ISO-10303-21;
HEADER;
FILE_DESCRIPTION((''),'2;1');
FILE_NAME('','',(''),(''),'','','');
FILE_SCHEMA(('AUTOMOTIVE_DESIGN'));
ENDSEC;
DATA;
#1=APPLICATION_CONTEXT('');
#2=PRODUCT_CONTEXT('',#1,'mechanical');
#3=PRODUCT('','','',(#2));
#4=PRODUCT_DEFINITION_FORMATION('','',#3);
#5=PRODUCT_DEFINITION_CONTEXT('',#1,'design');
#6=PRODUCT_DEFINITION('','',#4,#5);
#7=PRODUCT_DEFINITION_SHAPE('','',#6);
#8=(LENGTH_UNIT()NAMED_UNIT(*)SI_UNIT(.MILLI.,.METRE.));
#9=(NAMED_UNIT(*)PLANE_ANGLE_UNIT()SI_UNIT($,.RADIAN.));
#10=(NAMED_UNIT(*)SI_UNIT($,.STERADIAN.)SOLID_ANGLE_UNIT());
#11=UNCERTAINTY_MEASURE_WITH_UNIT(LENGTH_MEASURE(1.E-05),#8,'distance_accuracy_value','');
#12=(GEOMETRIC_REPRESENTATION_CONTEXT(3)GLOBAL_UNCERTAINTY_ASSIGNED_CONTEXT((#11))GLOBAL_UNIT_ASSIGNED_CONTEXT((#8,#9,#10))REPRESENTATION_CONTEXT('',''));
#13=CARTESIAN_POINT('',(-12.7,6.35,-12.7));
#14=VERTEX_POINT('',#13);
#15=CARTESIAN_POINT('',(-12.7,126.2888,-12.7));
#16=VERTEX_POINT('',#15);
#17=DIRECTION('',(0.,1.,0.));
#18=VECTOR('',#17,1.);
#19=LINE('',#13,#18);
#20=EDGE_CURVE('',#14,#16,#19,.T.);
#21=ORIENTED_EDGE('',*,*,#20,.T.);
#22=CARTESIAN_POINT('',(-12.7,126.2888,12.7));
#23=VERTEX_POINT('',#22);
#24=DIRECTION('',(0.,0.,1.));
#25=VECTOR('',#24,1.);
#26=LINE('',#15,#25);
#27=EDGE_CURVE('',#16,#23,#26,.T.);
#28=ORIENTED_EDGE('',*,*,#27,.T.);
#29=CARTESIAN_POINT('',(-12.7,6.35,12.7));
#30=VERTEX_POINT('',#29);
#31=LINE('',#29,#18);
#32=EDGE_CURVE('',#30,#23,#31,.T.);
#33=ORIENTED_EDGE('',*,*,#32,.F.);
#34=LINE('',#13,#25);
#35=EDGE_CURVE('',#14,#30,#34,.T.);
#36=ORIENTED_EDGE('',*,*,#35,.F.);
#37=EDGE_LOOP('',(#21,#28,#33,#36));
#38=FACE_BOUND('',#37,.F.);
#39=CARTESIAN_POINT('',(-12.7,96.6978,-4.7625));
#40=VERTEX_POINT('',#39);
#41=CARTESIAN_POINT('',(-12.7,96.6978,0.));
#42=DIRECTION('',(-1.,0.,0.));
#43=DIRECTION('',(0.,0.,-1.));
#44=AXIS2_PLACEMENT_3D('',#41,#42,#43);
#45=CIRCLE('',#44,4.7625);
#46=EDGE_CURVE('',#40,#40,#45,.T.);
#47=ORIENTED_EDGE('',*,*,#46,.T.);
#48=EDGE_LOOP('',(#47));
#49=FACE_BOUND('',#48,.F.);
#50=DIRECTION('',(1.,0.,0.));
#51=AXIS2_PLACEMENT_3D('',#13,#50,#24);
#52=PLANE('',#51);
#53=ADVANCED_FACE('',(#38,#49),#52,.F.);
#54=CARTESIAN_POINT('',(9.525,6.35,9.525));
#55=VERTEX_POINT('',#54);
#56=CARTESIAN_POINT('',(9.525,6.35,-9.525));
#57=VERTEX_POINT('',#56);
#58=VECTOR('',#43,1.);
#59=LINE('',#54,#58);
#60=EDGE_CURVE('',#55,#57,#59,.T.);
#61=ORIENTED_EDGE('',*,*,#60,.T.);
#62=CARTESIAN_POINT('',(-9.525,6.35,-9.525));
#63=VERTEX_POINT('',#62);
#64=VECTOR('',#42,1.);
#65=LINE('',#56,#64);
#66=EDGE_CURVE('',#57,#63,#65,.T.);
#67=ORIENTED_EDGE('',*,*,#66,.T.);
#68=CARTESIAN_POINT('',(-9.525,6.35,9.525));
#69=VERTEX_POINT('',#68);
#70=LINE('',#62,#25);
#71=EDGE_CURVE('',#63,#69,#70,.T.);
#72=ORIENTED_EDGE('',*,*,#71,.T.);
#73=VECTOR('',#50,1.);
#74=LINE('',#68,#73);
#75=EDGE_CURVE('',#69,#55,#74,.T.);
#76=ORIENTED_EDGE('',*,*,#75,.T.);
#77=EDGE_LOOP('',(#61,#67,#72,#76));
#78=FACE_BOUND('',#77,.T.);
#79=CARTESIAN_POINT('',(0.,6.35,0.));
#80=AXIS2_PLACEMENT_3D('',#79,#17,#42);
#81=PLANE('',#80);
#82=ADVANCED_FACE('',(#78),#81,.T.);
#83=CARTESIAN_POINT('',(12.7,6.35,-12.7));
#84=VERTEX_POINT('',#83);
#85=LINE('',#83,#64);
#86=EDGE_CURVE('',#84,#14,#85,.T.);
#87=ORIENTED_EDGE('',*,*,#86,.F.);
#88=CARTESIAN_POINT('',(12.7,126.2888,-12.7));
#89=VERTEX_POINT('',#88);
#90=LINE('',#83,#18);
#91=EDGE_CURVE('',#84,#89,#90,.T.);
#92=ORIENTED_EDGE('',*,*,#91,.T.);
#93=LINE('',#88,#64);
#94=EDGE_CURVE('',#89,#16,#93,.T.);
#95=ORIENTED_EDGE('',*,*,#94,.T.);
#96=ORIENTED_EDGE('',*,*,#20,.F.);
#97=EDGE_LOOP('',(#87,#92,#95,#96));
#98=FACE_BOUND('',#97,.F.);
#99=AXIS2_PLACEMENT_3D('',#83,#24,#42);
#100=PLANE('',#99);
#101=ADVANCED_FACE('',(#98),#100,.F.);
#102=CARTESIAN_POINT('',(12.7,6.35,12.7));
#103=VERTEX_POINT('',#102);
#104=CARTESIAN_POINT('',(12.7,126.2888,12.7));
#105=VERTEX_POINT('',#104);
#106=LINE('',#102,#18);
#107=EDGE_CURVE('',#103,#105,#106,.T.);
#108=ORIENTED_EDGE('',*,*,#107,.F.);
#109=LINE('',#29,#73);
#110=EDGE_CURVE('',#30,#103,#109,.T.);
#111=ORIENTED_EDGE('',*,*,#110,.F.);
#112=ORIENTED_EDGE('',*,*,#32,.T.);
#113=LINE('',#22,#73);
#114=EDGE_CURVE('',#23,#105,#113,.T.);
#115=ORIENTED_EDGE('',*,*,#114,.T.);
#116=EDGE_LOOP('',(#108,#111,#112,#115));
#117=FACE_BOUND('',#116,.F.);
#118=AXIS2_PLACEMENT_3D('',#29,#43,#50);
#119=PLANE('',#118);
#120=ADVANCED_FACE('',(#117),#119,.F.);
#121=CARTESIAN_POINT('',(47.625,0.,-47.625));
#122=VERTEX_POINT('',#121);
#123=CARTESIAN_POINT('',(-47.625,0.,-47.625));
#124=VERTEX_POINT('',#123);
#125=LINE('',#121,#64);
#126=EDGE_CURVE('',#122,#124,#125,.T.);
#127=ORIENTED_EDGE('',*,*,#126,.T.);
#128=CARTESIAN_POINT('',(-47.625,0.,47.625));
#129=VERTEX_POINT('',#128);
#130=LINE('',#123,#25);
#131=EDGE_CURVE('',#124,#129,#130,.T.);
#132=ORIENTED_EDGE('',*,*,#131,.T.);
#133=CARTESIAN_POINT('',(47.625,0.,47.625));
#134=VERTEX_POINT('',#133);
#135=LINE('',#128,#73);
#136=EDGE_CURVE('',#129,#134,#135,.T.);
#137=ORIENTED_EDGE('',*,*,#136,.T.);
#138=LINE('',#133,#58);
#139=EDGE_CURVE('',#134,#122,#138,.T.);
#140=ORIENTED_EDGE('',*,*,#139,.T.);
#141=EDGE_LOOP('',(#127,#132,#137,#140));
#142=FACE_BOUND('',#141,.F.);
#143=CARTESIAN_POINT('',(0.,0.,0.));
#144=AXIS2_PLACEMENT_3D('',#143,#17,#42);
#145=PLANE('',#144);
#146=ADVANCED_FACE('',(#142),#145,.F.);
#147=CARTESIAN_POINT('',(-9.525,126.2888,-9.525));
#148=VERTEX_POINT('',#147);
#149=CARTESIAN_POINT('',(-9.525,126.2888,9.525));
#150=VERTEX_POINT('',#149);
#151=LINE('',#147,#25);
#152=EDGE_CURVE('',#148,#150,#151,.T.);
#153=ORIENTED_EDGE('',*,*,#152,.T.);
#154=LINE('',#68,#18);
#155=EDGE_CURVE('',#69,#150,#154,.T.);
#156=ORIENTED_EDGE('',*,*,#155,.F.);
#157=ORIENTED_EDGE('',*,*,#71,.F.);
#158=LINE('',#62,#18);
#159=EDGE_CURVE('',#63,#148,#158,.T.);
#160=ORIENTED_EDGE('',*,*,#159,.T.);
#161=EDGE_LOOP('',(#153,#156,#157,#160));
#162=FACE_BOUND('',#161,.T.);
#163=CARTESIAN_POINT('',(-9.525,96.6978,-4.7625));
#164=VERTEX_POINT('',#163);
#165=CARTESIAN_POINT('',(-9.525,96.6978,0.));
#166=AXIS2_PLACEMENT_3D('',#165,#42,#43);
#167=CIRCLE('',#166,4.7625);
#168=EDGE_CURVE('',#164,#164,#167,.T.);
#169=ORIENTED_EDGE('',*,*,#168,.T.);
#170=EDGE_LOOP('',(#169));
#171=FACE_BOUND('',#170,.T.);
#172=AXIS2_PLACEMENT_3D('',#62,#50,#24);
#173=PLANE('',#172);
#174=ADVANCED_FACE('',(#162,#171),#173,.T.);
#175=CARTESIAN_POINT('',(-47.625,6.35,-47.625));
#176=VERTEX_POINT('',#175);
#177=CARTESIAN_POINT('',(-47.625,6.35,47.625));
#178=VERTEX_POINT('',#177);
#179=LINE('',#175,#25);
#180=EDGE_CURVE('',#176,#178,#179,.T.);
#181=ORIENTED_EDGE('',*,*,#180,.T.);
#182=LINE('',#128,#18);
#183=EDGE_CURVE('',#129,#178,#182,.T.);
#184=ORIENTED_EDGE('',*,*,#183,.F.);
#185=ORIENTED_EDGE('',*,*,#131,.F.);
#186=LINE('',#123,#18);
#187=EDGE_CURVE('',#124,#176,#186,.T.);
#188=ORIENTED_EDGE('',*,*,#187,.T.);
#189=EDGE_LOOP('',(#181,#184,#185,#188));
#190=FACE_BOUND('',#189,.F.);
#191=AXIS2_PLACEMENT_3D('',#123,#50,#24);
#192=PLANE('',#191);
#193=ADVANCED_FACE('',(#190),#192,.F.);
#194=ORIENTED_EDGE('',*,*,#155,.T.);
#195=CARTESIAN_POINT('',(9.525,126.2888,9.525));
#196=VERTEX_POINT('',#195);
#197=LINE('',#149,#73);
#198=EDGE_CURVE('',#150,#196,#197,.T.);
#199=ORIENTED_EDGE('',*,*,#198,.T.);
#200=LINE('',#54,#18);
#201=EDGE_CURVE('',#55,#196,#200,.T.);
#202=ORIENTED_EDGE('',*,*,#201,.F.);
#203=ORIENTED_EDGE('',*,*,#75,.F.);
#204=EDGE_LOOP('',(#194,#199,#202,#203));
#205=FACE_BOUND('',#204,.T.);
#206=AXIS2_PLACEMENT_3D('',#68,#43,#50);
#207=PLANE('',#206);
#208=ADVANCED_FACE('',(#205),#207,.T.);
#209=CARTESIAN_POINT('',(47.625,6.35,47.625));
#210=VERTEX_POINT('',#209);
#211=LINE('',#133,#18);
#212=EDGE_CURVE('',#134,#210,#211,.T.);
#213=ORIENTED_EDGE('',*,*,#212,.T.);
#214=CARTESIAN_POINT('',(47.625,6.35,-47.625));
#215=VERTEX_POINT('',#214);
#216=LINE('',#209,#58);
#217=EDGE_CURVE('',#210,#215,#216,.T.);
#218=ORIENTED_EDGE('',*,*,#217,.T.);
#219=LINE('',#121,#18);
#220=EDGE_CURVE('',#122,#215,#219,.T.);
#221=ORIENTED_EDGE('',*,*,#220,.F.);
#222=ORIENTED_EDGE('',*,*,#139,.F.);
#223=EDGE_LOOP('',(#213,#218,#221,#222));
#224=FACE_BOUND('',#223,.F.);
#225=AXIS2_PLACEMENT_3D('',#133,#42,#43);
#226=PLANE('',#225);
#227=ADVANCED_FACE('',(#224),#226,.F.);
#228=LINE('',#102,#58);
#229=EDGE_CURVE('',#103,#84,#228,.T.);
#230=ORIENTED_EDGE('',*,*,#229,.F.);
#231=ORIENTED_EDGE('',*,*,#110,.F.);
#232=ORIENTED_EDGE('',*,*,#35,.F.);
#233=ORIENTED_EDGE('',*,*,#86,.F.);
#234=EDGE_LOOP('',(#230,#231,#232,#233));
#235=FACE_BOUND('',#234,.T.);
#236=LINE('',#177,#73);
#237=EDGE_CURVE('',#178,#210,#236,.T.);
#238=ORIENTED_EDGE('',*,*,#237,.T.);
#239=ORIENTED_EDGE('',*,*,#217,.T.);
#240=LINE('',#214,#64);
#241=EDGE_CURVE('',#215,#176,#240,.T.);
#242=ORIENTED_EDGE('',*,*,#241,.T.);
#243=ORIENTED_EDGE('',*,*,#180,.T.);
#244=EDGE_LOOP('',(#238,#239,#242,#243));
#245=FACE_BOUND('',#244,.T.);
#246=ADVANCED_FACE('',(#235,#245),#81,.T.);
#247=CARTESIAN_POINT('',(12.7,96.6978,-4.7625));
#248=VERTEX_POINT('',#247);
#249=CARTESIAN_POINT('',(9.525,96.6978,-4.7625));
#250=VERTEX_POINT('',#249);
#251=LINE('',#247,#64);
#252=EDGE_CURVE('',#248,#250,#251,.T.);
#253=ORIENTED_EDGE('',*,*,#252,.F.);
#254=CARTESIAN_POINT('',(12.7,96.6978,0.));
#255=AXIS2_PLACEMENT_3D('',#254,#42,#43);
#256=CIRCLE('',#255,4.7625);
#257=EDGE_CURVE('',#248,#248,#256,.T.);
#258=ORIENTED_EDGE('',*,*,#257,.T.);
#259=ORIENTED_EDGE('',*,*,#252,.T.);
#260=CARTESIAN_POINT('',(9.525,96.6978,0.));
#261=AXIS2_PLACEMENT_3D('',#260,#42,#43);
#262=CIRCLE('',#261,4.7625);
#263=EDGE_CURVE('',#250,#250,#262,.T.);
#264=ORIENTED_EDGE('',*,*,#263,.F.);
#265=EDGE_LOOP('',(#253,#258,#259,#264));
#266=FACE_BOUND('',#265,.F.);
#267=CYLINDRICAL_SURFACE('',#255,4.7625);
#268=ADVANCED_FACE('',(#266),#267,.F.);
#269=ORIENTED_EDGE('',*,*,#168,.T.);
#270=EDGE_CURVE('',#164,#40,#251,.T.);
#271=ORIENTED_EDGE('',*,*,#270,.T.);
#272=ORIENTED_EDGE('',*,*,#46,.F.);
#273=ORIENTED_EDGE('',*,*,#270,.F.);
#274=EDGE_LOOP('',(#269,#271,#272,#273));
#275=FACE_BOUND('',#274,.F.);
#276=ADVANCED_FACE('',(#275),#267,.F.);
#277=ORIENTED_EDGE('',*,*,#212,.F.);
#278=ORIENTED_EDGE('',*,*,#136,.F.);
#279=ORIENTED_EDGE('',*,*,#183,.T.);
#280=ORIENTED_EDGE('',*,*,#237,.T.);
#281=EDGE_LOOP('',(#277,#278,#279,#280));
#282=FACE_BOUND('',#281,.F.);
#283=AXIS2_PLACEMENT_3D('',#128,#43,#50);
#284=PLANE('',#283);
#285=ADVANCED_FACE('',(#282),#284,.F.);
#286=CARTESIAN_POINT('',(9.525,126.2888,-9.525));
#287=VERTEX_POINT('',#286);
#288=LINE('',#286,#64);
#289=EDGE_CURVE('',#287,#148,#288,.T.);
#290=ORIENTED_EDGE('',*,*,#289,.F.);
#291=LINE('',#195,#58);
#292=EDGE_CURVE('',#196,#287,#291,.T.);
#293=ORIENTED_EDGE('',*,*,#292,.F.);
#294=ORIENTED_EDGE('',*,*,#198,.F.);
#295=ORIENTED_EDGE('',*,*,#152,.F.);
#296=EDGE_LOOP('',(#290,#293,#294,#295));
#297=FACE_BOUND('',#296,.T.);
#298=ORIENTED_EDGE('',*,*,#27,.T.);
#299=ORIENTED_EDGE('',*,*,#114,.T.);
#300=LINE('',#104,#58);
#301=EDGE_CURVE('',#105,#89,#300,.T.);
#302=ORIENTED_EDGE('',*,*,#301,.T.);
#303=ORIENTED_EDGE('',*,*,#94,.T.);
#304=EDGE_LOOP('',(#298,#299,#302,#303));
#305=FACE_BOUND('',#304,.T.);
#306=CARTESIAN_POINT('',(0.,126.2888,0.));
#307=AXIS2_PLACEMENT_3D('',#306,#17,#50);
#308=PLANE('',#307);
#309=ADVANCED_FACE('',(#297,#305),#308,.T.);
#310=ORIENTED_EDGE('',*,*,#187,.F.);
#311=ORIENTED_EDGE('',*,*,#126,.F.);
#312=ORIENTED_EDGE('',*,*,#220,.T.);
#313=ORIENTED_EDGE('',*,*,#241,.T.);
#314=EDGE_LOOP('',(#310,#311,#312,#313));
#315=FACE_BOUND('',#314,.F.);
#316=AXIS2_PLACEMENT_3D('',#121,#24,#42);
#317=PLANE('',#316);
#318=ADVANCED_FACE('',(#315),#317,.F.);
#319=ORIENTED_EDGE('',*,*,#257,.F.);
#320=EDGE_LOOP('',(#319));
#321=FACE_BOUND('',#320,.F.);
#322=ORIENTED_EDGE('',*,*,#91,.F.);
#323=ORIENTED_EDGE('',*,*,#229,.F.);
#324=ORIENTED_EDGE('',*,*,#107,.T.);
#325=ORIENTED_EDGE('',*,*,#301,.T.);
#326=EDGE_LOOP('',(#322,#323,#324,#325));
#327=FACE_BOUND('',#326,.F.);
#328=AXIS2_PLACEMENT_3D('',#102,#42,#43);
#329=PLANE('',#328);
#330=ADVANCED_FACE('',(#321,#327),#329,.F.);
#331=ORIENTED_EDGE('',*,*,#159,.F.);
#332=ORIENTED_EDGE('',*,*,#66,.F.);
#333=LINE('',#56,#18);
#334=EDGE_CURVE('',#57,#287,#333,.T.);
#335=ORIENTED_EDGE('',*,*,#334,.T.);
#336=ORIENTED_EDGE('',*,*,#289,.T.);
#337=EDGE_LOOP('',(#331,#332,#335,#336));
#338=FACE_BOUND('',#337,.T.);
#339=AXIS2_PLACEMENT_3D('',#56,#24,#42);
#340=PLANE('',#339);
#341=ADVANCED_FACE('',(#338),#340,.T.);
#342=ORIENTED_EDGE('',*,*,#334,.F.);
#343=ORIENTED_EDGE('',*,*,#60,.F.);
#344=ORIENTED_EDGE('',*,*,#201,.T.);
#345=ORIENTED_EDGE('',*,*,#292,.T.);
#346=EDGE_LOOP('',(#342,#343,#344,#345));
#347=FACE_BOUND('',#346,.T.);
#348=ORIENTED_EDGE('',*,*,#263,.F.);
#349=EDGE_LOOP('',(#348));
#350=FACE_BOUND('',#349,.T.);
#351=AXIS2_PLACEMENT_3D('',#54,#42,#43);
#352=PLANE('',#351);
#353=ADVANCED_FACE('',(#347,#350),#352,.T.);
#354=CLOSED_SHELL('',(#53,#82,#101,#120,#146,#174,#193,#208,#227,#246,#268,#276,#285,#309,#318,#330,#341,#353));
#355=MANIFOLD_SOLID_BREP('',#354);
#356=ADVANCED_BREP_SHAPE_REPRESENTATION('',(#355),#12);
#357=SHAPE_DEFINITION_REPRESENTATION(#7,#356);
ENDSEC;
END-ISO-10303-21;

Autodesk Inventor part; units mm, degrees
ref_plane "YZ Plane" through (0, 0, 0) normal (1, 0, 0) x (0, 1, 0)
ref_plane "XZ Plane" through (0, 0, 0) normal (0, 1, 0) x (-1, 0, 0)
ref_plane "XY Plane" through (0, 0, 0) normal (0, 0, 1) x (1, 0, 0)
sketch "Sketch1" plane through (0, 0, 0) normal (0, 1, 0) x (-1, 0, 0)
  line L0 (47.625, 47.625) -> (-47.625, 47.625)
  line L1 (-47.625, 47.625) -> (-47.625, -47.625)
  line L2 (-47.625, -47.625) -> (47.625, -47.625)
  line L3 (47.625, -47.625) -> (47.625, 47.625)
  line L4 (47.625, 47.625) -> (-47.625, -47.625) construction
  line L5 (-47.625, 47.625) -> (47.625, -47.625) construction
  point P0 (0, 0)
  dimension "d0" = 95.25
  dimension "d1" = 95.25
extrude "Extrusion1" add sketch "Sketch1" along normal blind 6.35
sketch "Sketch2" plane through (0, 6.35, 0) normal (0, 1, 0) x (1, 0, 0)
  line L0 (-12.7, -12.7) -> (12.7, -12.7)
  line L1 (12.7, -12.7) -> (12.7, 12.7)
  line L2 (12.7, 12.7) -> (-12.7, 12.7)
  line L3 (-12.7, 12.7) -> (-12.7, -12.7)
  line L4 (-12.7, -12.7) -> (12.7, 12.7) construction
  line L5 (12.7, -12.7) -> (-12.7, 12.7) construction
  line L6 (-9.525, -9.525) -> (9.525, -9.525)
  line L7 (9.525, -9.525) -> (9.525, 9.525)
  line L8 (9.525, 9.525) -> (-9.525, 9.525)
  line L9 (-9.525, 9.525) -> (-9.525, -9.525)
  line L10 (-9.525, -9.525) -> (9.525, 9.525) construction
  line L11 (9.525, -9.525) -> (-9.525, 9.525) construction
  line L12 (47.625, -47.625) -> (47.625, 47.625) projected
  line L13 (-47.625, -47.625) -> (47.625, -47.625) projected
  point P0 (0, 0)
  point P1 (0, 0)
  dimension "d4" = 25.4
  dimension "d5" = 25.4
  dimension "d6" = 3.175
  dimension "d7" = 3.175
  dimension "d8" = 34.925
  dimension "d14" = 34.925
extrude "Extrusion2" add sketch "Sketch2" along normal blind 119.9388
sketch "Sketch14" plane through (12.7, 6.35, 12.7) normal (1, 0, 0) x (0, 0, -1)
  line L0 (-34.925, -6.35) -> (60.325, -6.35) projected
  point P0 (12.7, -6.35)
  point P1 (12.7, 90.3478)
  dimension "d72" = 96.6978
hole "Hole6" at (12.7, 96.6978, 0) direction (-1, 0, 0) diameter 9.525 end through all
sketch "Sketch8" plane through (-12.7, 6.35, 12.7) normal (0, 0, 1) x (1, 0, 0)
  point P0 (12.7, 50.8)
sketch "Sketch9" plane through (-9.525, 6.35, -9.525) normal (0, 0, 1) x (1, 0, 0)
  point P0 (9.525, 50.8)
equation "\"d0\" = width"
equation "\"d1\" = length"
equation "\"d2\" = thickness"
equation "\"d9\" = heightOfPostAbovePlate"
equation "\"width\" = 95.25"
equation "\"length\" = 95.25"
equation "\"thickness\" = 6.35"
equation "\"totalHeight\" = 152.4"
equation "\"distanceFromFloorToBottomOfPan\" = 26.1112"
equation "\"thicknessOfPan\" = 3.175"
equation "\"heightOfPostAbovePlate\" = -thickness + totalHeight - distanceFromFloorToBottomOfPan"
properties part number "SupportPlateWithPostOnlyV01" material "Aluminum 6061"
